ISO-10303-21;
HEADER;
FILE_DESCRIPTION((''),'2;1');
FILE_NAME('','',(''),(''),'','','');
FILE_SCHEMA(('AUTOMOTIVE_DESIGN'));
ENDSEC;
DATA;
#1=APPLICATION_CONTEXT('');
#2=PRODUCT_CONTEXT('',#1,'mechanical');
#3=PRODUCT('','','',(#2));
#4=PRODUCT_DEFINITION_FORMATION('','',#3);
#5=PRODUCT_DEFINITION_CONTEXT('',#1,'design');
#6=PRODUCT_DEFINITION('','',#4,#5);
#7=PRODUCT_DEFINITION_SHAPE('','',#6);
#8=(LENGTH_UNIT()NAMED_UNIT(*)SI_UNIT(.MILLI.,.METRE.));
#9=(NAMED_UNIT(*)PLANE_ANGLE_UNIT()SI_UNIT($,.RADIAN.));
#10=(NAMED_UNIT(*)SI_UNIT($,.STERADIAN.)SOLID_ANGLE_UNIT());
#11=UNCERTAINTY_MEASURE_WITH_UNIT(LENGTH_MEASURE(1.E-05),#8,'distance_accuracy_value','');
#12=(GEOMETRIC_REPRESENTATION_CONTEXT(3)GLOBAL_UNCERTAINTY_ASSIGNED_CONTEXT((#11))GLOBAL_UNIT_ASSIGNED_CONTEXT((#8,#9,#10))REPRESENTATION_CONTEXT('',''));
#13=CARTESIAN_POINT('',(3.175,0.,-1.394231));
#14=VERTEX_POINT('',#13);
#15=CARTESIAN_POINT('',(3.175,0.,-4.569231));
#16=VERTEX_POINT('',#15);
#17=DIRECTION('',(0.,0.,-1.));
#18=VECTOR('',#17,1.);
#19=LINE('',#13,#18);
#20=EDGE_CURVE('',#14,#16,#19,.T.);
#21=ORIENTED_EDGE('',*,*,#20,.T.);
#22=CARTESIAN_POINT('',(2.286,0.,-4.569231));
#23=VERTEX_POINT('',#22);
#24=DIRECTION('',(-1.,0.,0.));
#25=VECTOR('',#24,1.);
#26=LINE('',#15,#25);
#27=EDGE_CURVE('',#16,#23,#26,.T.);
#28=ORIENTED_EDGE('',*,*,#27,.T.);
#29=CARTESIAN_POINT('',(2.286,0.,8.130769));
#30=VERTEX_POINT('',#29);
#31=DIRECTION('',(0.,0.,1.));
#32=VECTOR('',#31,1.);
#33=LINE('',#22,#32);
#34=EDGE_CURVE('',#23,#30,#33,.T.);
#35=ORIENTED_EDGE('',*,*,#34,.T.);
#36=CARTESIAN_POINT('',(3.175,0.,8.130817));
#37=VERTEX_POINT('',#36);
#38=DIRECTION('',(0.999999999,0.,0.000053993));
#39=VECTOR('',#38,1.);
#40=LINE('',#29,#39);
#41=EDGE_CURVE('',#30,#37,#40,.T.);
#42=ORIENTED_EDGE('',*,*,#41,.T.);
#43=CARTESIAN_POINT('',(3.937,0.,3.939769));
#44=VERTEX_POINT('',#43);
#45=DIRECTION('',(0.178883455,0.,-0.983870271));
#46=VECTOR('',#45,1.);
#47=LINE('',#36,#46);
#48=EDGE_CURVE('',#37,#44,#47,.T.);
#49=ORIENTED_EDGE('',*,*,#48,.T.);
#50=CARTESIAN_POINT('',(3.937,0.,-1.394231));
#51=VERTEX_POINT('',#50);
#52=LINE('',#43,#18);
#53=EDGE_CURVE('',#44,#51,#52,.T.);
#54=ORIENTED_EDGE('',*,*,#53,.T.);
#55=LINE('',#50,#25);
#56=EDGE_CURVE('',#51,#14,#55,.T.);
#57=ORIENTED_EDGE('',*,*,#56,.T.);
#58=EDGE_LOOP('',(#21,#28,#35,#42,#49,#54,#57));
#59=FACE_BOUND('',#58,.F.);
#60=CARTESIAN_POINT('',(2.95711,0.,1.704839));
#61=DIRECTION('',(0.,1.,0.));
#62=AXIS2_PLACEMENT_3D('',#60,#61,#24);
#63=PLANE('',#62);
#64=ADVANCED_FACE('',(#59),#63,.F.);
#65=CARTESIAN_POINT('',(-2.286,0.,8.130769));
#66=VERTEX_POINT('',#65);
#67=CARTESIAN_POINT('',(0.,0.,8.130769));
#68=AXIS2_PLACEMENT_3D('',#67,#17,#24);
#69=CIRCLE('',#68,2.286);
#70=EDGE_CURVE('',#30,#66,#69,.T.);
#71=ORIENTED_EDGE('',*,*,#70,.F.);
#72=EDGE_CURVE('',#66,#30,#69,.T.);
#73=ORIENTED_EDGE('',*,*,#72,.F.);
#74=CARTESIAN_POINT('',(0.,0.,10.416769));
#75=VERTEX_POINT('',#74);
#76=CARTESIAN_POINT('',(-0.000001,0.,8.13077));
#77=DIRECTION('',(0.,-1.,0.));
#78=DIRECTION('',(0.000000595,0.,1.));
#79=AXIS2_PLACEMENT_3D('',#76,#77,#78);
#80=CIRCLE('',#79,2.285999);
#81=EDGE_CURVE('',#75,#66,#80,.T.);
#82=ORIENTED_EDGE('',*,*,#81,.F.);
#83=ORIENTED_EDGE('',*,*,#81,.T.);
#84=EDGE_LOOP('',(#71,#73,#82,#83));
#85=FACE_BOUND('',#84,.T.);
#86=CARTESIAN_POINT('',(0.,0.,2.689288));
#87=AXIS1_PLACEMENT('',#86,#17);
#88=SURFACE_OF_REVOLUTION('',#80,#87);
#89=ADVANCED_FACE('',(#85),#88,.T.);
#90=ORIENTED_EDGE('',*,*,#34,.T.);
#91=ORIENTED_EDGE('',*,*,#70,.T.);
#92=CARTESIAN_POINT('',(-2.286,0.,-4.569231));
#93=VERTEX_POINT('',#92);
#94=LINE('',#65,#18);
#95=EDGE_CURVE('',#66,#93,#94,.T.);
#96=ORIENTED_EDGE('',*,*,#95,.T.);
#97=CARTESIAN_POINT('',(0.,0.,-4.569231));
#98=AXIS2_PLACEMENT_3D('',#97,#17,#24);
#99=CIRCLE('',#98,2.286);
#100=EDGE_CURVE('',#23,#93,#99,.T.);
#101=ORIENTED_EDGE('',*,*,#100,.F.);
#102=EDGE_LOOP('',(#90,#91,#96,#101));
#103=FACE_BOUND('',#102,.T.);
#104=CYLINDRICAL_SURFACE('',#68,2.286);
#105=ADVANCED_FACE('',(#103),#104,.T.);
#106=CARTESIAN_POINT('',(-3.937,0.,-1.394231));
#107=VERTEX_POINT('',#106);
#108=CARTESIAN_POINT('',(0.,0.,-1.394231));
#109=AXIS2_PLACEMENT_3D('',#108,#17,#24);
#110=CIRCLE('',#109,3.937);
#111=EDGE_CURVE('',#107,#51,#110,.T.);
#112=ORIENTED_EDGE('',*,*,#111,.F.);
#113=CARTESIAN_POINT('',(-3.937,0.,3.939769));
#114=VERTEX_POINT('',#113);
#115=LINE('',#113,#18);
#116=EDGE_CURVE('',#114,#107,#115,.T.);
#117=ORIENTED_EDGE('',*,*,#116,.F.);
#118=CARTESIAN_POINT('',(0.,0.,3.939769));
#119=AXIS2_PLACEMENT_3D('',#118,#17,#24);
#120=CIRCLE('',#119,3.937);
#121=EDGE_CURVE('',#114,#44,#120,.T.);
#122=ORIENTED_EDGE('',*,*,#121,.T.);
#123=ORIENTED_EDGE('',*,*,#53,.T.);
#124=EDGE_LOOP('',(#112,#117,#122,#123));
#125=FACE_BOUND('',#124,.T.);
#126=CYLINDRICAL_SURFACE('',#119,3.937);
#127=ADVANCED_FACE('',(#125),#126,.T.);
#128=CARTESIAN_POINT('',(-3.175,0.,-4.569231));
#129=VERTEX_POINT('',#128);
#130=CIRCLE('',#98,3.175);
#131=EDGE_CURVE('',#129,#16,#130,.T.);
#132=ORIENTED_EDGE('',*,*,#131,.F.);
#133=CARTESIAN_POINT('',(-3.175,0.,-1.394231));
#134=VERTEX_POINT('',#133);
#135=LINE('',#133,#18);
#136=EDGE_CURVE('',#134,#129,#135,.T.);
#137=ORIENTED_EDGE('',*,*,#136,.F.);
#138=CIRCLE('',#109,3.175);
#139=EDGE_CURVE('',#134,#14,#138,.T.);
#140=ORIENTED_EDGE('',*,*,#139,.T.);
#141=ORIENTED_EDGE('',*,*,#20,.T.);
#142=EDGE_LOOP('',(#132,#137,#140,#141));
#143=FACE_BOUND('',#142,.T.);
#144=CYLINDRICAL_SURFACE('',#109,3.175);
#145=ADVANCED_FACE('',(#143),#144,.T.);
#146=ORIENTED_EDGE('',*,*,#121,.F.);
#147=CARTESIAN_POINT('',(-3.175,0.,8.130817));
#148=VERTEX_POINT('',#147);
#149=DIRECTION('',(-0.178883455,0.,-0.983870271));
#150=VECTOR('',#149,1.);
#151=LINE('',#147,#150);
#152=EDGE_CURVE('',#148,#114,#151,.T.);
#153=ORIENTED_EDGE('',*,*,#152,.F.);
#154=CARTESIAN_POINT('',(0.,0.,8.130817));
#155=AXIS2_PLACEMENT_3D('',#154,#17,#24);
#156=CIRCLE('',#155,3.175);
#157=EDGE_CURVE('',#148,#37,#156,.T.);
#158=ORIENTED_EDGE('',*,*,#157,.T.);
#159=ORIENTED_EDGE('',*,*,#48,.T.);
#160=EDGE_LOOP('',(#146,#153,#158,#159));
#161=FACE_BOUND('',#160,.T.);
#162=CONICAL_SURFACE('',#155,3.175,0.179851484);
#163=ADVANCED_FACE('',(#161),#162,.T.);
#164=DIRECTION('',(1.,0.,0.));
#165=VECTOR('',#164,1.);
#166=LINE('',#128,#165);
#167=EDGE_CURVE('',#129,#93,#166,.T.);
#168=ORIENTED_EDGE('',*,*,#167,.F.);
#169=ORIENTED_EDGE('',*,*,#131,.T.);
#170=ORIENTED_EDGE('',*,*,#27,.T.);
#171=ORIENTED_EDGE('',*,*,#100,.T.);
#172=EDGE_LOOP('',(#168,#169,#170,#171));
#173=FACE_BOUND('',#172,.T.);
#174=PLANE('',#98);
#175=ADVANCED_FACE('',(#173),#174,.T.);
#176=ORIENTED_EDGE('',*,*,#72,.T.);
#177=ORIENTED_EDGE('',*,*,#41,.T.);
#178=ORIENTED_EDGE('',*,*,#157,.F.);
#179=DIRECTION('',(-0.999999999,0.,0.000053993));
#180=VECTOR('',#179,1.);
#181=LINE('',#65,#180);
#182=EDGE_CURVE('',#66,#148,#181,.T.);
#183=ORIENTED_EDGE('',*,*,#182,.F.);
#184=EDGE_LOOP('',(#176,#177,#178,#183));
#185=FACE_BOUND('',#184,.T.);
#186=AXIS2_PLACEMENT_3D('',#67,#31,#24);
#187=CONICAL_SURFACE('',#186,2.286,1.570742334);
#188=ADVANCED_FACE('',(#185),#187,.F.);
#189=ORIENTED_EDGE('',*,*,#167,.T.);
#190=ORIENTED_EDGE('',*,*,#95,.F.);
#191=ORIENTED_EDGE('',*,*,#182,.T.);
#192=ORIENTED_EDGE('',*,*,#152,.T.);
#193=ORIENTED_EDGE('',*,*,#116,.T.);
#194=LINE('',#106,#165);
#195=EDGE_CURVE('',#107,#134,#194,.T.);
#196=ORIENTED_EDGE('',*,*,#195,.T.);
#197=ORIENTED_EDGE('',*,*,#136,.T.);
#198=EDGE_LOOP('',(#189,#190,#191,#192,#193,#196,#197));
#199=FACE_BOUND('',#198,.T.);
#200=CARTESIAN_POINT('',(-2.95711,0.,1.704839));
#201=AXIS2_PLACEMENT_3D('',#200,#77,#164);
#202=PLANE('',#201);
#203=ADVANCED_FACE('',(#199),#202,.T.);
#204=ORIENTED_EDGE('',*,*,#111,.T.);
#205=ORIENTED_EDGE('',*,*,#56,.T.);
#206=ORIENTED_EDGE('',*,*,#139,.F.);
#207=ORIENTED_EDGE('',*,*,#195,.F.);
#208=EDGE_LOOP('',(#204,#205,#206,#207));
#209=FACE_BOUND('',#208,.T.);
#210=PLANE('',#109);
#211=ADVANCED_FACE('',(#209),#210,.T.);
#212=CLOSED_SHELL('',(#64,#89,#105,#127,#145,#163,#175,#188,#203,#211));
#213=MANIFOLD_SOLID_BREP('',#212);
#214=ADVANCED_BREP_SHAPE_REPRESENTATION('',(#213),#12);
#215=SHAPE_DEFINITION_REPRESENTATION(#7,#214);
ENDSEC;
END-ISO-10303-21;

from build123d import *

# Parameters (mm, degrees)
F2_ANGLE = 180


with BuildPart() as f1:
    # F0 (on Front) → F1 (revolve)
    with BuildSketch(Plane.XZ):
        with BuildLine():
            ThreePointArc((0, 10.416769), (-1.616446, 9.747216), (-2.286, 8.130769))
            Line((-2.286, 8.130769), (-2.286, -4.569231))
            Line((-2.286, -4.569231), (0, -4.569231))
            Line((0, -4.569231), (0, 10.416769))
        make_face()
    revolve(axis=Axis((0, 0, 2.689288), (0, 0, -1)))

    # F0 (on Front) → F2 (revolve)
    with BuildSketch(Plane.XZ):
        Polygon((-2.286, -4.569231), (-2.286, 8.130769), (-3.175, 8.130817), (-3.937, 3.939769), (-3.937, -1.394231), (-3.175, -1.394231), (-3.175, -4.569231), align=None)
    revolve(axis=Axis((0, 0, 2.689288), (0, 0, -1)), revolution_arc=F2_ANGLE)


solid = f1.part
